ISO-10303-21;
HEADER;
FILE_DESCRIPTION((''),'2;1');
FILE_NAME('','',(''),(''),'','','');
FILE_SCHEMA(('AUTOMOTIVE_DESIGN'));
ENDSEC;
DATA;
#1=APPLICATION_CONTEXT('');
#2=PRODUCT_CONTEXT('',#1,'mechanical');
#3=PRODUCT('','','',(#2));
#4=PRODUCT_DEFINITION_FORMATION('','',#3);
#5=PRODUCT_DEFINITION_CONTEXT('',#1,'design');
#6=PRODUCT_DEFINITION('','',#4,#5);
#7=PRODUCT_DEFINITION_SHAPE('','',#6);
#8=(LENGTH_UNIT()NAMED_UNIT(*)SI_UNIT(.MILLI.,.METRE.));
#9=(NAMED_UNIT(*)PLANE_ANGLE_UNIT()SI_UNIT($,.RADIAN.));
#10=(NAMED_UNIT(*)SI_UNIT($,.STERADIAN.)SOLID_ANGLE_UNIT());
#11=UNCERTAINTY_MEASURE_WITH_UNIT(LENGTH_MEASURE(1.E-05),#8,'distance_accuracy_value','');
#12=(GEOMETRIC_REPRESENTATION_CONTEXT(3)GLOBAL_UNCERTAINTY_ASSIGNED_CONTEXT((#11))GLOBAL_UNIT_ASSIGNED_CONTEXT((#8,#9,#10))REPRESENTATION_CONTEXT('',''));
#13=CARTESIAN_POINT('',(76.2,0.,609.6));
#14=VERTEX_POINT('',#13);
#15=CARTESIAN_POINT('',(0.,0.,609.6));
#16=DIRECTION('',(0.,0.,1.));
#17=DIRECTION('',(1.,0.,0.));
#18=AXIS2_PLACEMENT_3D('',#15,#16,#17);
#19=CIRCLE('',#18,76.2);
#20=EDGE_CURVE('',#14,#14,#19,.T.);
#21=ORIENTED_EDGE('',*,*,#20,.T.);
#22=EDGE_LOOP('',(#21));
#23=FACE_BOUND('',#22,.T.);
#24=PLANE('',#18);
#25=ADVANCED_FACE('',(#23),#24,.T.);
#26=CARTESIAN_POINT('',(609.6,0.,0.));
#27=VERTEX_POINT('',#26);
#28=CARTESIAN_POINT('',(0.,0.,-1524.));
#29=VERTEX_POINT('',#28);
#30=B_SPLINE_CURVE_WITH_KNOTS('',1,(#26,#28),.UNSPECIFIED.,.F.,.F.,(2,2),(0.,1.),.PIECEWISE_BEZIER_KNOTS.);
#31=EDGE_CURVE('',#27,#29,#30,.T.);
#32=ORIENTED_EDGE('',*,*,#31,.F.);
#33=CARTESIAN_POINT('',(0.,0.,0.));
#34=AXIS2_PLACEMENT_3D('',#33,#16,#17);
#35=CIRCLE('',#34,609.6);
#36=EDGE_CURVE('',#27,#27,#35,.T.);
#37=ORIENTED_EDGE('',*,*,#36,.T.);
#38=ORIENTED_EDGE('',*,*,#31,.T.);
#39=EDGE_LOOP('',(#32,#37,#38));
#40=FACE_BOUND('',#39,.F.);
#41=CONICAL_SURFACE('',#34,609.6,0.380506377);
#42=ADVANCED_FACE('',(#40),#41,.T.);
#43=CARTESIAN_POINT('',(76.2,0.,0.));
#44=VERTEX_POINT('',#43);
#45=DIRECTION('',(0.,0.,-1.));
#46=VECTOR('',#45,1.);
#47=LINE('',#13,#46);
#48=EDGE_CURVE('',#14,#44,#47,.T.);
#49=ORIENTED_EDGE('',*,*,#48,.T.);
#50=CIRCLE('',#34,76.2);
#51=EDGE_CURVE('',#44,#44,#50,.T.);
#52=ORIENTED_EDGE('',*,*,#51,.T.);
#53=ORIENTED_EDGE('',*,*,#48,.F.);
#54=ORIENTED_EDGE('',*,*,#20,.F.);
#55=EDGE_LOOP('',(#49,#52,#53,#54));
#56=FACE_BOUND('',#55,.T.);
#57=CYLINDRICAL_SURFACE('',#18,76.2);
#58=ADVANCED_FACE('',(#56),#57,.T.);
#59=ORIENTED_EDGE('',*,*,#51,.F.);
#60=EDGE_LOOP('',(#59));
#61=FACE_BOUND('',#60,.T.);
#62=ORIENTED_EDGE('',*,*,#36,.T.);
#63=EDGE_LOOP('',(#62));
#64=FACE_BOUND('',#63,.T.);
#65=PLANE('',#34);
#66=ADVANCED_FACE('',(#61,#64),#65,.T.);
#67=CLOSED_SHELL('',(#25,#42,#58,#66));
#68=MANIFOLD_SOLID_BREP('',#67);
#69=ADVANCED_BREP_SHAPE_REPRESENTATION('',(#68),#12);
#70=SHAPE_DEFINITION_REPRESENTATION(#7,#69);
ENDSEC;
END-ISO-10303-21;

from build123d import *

# Parameters (mm, degrees)
F2_R     = 76.2
F3_DEPTH = 609.6
F0_R     = 609.6


with BuildPart() as f3:
    # F2 (on offset) → F3 (new body)
    with BuildSketch(Plane.XY.offset(609.6)):
        Circle(F2_R)
    extrude(amount=-F3_DEPTH)

    # F0 (on Top) → F6 section 0
    with BuildSketch(Plane.XY, mode=Mode.PRIVATE) as f6_s0:
        Circle(F0_R)
    loft([f6_s0.sketch, Vertex(0, 0, -1524)])


solid = f3.part
